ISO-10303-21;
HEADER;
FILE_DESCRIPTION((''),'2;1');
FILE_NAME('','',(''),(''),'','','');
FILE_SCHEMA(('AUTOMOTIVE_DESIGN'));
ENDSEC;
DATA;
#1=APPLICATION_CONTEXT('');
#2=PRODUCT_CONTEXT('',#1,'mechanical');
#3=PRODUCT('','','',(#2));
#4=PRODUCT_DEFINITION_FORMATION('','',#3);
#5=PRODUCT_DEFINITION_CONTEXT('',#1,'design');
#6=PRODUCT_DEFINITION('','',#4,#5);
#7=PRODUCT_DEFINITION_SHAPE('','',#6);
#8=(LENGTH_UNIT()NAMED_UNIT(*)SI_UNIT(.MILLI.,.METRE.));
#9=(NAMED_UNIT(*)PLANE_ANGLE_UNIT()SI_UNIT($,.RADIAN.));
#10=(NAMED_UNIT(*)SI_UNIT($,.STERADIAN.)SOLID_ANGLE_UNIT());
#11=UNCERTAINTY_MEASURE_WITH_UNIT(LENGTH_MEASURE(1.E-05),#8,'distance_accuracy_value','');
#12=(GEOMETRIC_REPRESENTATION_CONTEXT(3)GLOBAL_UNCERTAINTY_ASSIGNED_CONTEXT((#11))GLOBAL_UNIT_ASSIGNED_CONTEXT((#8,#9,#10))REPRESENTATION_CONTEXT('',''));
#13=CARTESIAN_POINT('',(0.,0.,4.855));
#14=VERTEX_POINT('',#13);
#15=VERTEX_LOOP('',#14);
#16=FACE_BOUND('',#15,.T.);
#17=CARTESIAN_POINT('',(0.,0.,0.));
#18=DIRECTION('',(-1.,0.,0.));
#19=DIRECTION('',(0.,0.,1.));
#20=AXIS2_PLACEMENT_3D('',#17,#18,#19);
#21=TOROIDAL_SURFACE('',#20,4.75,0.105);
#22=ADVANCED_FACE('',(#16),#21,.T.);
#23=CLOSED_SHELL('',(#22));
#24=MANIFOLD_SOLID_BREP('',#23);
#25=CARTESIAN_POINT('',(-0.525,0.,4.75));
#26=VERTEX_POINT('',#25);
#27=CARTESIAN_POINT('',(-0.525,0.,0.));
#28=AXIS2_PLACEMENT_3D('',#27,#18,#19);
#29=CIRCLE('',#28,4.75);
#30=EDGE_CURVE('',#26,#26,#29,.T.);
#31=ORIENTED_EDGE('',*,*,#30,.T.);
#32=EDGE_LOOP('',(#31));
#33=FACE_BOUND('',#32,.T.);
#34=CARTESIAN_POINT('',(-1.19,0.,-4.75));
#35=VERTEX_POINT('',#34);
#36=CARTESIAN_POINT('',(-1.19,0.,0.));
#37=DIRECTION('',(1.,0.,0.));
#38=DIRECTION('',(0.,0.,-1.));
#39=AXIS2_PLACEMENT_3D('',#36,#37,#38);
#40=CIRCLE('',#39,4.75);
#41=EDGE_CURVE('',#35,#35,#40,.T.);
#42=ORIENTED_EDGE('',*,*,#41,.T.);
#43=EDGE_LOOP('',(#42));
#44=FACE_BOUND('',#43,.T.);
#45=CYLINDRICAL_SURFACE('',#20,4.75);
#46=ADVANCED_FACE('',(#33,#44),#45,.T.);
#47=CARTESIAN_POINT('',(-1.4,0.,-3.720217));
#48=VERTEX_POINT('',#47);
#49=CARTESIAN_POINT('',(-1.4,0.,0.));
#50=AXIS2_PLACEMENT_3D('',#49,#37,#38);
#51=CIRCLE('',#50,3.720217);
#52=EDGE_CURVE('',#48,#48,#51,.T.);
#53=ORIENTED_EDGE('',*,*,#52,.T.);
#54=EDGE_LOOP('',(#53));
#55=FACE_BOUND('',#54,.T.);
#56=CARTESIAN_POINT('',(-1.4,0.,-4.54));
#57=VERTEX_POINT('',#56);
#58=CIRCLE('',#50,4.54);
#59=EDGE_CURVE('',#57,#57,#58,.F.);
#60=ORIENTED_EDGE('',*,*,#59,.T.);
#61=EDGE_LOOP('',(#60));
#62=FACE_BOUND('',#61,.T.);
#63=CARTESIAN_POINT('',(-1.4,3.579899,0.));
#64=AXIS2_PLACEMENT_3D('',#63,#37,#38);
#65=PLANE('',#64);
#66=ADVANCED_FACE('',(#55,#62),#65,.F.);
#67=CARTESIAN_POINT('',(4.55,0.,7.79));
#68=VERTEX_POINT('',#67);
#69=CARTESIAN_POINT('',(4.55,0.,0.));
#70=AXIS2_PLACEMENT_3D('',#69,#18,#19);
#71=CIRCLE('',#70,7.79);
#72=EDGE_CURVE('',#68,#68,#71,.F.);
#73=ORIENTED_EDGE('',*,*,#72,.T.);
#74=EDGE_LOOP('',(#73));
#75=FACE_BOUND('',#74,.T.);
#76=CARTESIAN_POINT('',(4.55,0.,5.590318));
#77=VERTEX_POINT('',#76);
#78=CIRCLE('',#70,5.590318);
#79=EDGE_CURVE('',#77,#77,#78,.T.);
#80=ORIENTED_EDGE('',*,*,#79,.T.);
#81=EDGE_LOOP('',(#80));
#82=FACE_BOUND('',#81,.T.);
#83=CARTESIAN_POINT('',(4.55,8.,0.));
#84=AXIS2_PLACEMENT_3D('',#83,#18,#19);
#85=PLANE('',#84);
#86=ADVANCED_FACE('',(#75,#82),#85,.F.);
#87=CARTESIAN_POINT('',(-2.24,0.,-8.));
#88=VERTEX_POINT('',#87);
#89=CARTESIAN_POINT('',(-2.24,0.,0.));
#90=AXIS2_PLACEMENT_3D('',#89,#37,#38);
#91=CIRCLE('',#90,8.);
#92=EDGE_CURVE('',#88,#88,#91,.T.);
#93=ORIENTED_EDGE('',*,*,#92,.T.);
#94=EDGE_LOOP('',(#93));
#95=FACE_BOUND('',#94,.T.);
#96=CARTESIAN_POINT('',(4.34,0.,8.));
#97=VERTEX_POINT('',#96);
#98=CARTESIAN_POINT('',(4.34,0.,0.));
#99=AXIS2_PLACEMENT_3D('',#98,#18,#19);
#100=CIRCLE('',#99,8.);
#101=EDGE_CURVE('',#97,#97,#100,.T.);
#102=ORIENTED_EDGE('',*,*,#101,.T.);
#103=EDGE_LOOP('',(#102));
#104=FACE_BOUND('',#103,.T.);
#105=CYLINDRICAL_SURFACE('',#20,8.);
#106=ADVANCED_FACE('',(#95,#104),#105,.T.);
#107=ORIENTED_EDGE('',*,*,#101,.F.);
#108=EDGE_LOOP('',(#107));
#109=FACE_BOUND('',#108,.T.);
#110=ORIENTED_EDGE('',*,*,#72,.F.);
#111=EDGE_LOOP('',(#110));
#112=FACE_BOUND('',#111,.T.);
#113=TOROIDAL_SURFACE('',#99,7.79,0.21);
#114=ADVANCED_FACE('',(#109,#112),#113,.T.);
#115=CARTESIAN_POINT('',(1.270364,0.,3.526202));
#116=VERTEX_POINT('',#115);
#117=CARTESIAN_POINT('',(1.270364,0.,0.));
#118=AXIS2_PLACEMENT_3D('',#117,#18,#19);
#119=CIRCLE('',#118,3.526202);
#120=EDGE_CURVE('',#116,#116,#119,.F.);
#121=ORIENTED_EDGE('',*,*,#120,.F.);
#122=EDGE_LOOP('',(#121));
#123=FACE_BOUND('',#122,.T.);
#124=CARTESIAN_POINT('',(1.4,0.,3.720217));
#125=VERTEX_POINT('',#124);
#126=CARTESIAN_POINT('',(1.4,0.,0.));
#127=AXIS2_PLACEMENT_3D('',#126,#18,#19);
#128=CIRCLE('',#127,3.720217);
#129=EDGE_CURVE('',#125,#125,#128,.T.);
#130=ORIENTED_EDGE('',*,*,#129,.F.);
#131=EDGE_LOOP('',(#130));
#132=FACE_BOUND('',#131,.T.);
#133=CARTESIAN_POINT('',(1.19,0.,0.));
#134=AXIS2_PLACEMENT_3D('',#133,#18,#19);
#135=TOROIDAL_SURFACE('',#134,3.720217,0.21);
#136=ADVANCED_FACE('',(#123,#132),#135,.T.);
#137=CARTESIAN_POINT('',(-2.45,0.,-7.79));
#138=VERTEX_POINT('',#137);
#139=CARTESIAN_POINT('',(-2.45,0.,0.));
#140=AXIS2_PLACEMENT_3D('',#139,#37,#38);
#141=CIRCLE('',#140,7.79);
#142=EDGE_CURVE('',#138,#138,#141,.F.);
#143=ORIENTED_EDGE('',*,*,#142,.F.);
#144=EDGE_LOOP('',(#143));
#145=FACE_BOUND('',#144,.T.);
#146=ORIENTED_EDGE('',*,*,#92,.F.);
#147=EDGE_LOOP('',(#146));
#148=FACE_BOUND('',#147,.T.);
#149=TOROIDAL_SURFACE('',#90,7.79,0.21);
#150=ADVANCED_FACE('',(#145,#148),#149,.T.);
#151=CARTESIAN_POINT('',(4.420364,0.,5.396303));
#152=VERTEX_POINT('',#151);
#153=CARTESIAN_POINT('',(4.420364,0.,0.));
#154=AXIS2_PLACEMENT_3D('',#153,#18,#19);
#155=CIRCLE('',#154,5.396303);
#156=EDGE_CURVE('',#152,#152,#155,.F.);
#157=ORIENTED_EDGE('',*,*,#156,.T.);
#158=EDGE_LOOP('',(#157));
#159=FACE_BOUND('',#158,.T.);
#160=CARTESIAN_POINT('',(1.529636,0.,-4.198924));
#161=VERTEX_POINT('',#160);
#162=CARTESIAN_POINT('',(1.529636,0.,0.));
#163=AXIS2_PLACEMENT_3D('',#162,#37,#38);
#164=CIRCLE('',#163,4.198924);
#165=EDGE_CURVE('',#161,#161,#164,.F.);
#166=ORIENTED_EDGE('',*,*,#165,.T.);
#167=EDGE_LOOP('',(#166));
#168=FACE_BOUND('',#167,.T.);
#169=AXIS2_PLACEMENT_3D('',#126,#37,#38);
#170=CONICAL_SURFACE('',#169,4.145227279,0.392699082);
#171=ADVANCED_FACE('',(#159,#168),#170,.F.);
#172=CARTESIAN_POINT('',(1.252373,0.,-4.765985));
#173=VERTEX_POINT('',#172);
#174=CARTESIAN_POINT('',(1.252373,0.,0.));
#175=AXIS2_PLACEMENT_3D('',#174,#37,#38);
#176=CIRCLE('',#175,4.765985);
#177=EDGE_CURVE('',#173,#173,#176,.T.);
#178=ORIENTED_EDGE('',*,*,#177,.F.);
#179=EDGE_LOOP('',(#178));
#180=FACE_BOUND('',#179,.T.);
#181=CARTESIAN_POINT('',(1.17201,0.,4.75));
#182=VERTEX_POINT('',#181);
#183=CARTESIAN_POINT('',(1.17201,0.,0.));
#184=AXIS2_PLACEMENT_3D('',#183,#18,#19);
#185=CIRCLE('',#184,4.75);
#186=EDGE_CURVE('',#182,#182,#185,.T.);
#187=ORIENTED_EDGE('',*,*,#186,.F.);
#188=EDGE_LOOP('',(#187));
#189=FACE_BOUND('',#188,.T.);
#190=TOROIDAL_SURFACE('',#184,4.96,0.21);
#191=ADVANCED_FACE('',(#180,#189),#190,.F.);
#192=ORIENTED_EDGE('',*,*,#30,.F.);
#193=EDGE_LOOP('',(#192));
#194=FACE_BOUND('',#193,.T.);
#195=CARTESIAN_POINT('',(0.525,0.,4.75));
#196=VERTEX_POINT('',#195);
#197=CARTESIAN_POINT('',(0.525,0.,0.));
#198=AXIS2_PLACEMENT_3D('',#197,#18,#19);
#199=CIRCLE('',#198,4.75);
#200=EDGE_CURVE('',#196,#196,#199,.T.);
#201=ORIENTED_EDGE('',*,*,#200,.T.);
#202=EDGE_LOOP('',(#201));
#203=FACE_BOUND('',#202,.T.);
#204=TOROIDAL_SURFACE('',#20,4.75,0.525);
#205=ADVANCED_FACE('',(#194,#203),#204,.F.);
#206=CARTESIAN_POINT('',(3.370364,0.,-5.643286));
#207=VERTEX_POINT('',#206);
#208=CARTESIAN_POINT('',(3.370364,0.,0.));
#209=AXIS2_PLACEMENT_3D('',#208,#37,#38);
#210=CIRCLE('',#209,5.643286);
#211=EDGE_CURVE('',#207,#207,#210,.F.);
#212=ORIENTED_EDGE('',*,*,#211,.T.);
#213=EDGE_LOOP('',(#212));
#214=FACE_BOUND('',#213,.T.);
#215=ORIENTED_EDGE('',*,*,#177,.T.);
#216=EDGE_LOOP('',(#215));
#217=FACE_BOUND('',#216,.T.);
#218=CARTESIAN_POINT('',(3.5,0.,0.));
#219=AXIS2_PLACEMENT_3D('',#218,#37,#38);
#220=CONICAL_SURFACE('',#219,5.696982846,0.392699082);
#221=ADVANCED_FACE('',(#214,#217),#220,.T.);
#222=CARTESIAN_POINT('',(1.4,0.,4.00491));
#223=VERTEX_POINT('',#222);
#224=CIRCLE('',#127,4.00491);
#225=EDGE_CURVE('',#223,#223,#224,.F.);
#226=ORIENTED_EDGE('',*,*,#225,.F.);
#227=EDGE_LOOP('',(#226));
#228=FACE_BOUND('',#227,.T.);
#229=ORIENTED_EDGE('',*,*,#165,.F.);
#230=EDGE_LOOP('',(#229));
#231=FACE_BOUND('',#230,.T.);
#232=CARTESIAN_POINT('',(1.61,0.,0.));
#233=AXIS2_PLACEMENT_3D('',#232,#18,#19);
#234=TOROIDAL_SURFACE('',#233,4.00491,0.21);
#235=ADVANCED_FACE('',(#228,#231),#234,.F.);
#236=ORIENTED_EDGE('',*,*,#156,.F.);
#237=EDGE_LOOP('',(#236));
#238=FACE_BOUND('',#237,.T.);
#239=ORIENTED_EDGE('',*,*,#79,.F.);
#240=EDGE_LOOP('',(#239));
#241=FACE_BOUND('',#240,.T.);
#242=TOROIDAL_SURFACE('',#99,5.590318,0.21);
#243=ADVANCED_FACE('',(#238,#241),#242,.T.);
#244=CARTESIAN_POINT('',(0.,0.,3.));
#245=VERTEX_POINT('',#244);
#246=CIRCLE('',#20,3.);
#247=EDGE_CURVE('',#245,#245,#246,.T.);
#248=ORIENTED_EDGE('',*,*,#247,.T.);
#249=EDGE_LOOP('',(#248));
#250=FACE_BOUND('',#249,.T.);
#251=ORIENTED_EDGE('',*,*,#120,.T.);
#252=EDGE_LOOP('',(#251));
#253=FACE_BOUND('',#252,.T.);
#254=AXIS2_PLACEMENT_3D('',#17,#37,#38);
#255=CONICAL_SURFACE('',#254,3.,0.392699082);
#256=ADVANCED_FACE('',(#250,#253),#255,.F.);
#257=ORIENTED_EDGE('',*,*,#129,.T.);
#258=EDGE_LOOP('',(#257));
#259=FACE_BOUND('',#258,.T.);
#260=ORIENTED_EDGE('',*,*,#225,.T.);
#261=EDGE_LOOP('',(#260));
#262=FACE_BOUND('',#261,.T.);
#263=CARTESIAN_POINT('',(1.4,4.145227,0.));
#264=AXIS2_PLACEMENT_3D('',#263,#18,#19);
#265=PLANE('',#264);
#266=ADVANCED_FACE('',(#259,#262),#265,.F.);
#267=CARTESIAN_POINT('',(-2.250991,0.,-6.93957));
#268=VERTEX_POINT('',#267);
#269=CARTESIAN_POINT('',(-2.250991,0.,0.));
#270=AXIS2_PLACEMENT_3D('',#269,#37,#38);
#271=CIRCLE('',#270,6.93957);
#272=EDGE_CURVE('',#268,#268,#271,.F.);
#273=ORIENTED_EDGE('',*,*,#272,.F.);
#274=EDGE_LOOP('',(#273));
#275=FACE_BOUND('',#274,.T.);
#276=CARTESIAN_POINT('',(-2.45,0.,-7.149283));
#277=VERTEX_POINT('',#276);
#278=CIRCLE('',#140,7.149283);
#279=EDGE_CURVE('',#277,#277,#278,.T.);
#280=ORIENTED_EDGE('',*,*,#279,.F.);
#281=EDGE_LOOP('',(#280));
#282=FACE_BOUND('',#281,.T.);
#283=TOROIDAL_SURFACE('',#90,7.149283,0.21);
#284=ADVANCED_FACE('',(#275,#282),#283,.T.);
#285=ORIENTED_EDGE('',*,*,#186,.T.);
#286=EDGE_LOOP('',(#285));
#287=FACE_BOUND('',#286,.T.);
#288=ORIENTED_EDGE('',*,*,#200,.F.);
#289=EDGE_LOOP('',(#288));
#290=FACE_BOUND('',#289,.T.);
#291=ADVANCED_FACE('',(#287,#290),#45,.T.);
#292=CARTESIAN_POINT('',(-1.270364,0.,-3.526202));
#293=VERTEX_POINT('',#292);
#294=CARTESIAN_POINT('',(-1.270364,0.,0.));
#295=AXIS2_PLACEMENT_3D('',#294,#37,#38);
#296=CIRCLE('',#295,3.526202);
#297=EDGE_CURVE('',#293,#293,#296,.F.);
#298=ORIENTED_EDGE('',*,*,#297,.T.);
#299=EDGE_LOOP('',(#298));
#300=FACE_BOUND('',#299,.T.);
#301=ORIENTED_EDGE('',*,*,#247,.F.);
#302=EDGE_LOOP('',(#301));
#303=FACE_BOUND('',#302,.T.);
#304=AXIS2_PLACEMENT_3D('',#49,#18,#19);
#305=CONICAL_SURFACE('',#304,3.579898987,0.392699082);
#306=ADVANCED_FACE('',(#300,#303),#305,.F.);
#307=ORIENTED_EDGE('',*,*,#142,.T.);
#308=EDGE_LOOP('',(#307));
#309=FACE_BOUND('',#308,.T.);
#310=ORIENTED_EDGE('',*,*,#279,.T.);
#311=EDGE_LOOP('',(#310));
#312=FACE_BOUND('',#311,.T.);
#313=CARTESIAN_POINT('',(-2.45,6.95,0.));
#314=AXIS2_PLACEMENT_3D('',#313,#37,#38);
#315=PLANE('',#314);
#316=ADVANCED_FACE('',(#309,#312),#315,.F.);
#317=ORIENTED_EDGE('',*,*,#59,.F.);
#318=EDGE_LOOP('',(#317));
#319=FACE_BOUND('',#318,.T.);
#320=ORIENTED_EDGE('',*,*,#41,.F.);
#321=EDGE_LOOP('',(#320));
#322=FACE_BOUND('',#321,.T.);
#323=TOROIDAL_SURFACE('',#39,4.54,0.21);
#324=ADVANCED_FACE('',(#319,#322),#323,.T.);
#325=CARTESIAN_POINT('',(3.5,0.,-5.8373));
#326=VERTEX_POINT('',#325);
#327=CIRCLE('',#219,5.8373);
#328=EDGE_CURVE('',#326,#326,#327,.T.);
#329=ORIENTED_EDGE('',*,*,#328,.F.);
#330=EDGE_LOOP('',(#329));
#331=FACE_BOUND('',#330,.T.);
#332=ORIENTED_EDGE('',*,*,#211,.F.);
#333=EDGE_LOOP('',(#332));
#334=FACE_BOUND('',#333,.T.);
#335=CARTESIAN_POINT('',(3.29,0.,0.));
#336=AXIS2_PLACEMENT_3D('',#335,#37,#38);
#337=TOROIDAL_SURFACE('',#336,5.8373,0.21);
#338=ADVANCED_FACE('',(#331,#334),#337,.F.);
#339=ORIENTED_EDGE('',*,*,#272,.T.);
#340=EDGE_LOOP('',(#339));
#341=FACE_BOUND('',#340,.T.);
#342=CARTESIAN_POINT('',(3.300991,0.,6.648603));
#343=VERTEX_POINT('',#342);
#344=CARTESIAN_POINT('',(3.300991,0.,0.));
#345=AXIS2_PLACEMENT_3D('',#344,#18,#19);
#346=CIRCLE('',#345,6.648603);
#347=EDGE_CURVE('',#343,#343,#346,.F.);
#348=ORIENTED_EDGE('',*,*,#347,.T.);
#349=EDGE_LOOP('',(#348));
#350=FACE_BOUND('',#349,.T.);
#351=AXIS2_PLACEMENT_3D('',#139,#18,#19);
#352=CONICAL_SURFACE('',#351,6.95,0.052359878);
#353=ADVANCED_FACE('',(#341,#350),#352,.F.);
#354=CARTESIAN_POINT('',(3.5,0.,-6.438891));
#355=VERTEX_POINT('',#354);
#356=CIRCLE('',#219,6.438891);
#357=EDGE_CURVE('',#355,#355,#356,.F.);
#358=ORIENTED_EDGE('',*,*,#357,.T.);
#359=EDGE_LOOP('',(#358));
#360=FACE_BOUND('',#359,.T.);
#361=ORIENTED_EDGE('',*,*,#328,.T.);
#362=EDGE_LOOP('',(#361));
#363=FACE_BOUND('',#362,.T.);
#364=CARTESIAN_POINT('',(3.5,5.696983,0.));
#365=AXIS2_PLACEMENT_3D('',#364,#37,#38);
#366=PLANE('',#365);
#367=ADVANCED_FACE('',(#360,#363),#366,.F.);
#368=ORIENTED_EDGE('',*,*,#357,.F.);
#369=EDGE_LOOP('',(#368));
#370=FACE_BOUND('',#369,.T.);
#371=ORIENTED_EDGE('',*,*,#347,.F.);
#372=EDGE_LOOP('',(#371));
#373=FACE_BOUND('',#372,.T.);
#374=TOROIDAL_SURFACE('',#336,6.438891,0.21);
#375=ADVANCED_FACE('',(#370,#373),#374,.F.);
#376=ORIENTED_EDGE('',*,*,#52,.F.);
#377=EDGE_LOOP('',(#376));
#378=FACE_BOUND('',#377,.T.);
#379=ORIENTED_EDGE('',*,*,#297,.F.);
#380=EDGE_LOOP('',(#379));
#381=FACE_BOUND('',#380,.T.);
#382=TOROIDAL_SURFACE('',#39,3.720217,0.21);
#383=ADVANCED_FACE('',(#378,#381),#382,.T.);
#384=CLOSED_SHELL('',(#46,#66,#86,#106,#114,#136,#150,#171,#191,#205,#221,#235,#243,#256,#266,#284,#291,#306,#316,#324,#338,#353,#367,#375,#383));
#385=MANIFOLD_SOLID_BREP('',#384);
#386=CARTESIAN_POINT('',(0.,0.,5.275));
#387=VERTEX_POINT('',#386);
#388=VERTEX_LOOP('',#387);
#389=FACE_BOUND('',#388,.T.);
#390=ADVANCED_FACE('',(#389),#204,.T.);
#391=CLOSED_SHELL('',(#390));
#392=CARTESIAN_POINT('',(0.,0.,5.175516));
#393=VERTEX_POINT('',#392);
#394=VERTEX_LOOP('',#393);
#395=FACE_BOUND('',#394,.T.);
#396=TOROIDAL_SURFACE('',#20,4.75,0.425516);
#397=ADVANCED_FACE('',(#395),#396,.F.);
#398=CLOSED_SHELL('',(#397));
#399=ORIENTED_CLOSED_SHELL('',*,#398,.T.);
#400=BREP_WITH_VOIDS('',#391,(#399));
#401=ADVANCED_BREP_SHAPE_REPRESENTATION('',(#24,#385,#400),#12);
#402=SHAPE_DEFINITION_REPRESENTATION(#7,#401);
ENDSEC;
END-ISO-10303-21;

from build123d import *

# Parameters (mm, degrees)
ZAOBLIT1_R = 0.21
SKICA2_R   = 0.525
SKICA2_R_2 = 0.42551639
SKICA2_R_3 = 0.105


with BuildPart() as part:
    # Skica1 → Otočit kolem osy1 (revolve)
    with BuildSketch(Plane.XY, mode=Mode.PRIVATE) as oto_it_kolem_osy1_sk:
        with BuildLine():
            Line((-2.45, 8), (4.55, 8))
            Line((4.55, 8), (4.55, 5.45))
            Line((4.55, 5.45), (1.4, 4.145227279))
            Line((1.4, 4.145227279), (1.4, 3.579898987))
            Line((1.4, 3.579898987), (0, 3))
            Line((0, 3), (-1.4, 3.579898987))
            Line((-1.4, 3.579898987), (-1.4, 4.75))
            Line((-1.4, 4.75), (-0.525, 4.75))
            ThreePointArc((-0.525, 4.75), (0, 4.225), (0.525, 4.75))
            Line((0.525, 4.75), (1.213781171, 4.75))
            Line((1.213781171, 4.75), (3.5, 5.696982846))
            Line((3.5, 5.696982846), (3.5, 6.638173713))
            Line((3.5, 6.638173713), (-2.45, 6.95))
            Line((-2.45, 6.95), (-2.45, 8))
        make_face()
    revolve(oto_it_kolem_osy1_sk.sketch.rotate(Axis((0, 0, 0), (1, 0, 0)), 90), axis=Axis((0, 0, 0), (1, 0, 0)))

    # Zaoblit1
    zaoblit1_edges = [part.edges().sort_by_distance(p)[0] for p in [
        (-1.4, 0, -3.579898987),
        (-1.4, 0, -4.75),
        (1.213781171, 0, -4.75),
        (3.5, 0, -5.696982846),
        (3.5, 0, -6.638173713),
        (-2.45, 0, -6.95),
        (-2.45, 0, -8),
        (4.55, 0, -8),
        (4.55, 0, -5.45),
        (1.4, 0, -4.145227279),
        (1.4, 0, -3.579898987),
    ]]
    fillet(zaoblit1_edges, radius=ZAOBLIT1_R)


with BuildPart() as body_2:
    # Skica2 → Otočit kolem osy3 (revolve)
    # profile 1 of 2: a face of its own
    with BuildSketch(Plane(origin=(0, 0, 0), x_dir=(1, 0, 0), z_dir=(0, 1, 0))):
        with Locations((0, 4.75)):
            Circle(SKICA2_R)
        with Locations((0, 4.75)):
            Circle(SKICA2_R_2, mode=Mode.SUBTRACT)
    # profile 2 of 2: a face of its own
    with BuildSketch(Plane(origin=(0, 0, 0), x_dir=(1, 0, 0), z_dir=(0, 1, 0))):
        with Locations((0, 4.75)):
            Circle(SKICA2_R_3)
    revolve(axis=Axis((0, 0, 0), (1, 0, 0)))


solid = Compound([part.part, body_2.part])
